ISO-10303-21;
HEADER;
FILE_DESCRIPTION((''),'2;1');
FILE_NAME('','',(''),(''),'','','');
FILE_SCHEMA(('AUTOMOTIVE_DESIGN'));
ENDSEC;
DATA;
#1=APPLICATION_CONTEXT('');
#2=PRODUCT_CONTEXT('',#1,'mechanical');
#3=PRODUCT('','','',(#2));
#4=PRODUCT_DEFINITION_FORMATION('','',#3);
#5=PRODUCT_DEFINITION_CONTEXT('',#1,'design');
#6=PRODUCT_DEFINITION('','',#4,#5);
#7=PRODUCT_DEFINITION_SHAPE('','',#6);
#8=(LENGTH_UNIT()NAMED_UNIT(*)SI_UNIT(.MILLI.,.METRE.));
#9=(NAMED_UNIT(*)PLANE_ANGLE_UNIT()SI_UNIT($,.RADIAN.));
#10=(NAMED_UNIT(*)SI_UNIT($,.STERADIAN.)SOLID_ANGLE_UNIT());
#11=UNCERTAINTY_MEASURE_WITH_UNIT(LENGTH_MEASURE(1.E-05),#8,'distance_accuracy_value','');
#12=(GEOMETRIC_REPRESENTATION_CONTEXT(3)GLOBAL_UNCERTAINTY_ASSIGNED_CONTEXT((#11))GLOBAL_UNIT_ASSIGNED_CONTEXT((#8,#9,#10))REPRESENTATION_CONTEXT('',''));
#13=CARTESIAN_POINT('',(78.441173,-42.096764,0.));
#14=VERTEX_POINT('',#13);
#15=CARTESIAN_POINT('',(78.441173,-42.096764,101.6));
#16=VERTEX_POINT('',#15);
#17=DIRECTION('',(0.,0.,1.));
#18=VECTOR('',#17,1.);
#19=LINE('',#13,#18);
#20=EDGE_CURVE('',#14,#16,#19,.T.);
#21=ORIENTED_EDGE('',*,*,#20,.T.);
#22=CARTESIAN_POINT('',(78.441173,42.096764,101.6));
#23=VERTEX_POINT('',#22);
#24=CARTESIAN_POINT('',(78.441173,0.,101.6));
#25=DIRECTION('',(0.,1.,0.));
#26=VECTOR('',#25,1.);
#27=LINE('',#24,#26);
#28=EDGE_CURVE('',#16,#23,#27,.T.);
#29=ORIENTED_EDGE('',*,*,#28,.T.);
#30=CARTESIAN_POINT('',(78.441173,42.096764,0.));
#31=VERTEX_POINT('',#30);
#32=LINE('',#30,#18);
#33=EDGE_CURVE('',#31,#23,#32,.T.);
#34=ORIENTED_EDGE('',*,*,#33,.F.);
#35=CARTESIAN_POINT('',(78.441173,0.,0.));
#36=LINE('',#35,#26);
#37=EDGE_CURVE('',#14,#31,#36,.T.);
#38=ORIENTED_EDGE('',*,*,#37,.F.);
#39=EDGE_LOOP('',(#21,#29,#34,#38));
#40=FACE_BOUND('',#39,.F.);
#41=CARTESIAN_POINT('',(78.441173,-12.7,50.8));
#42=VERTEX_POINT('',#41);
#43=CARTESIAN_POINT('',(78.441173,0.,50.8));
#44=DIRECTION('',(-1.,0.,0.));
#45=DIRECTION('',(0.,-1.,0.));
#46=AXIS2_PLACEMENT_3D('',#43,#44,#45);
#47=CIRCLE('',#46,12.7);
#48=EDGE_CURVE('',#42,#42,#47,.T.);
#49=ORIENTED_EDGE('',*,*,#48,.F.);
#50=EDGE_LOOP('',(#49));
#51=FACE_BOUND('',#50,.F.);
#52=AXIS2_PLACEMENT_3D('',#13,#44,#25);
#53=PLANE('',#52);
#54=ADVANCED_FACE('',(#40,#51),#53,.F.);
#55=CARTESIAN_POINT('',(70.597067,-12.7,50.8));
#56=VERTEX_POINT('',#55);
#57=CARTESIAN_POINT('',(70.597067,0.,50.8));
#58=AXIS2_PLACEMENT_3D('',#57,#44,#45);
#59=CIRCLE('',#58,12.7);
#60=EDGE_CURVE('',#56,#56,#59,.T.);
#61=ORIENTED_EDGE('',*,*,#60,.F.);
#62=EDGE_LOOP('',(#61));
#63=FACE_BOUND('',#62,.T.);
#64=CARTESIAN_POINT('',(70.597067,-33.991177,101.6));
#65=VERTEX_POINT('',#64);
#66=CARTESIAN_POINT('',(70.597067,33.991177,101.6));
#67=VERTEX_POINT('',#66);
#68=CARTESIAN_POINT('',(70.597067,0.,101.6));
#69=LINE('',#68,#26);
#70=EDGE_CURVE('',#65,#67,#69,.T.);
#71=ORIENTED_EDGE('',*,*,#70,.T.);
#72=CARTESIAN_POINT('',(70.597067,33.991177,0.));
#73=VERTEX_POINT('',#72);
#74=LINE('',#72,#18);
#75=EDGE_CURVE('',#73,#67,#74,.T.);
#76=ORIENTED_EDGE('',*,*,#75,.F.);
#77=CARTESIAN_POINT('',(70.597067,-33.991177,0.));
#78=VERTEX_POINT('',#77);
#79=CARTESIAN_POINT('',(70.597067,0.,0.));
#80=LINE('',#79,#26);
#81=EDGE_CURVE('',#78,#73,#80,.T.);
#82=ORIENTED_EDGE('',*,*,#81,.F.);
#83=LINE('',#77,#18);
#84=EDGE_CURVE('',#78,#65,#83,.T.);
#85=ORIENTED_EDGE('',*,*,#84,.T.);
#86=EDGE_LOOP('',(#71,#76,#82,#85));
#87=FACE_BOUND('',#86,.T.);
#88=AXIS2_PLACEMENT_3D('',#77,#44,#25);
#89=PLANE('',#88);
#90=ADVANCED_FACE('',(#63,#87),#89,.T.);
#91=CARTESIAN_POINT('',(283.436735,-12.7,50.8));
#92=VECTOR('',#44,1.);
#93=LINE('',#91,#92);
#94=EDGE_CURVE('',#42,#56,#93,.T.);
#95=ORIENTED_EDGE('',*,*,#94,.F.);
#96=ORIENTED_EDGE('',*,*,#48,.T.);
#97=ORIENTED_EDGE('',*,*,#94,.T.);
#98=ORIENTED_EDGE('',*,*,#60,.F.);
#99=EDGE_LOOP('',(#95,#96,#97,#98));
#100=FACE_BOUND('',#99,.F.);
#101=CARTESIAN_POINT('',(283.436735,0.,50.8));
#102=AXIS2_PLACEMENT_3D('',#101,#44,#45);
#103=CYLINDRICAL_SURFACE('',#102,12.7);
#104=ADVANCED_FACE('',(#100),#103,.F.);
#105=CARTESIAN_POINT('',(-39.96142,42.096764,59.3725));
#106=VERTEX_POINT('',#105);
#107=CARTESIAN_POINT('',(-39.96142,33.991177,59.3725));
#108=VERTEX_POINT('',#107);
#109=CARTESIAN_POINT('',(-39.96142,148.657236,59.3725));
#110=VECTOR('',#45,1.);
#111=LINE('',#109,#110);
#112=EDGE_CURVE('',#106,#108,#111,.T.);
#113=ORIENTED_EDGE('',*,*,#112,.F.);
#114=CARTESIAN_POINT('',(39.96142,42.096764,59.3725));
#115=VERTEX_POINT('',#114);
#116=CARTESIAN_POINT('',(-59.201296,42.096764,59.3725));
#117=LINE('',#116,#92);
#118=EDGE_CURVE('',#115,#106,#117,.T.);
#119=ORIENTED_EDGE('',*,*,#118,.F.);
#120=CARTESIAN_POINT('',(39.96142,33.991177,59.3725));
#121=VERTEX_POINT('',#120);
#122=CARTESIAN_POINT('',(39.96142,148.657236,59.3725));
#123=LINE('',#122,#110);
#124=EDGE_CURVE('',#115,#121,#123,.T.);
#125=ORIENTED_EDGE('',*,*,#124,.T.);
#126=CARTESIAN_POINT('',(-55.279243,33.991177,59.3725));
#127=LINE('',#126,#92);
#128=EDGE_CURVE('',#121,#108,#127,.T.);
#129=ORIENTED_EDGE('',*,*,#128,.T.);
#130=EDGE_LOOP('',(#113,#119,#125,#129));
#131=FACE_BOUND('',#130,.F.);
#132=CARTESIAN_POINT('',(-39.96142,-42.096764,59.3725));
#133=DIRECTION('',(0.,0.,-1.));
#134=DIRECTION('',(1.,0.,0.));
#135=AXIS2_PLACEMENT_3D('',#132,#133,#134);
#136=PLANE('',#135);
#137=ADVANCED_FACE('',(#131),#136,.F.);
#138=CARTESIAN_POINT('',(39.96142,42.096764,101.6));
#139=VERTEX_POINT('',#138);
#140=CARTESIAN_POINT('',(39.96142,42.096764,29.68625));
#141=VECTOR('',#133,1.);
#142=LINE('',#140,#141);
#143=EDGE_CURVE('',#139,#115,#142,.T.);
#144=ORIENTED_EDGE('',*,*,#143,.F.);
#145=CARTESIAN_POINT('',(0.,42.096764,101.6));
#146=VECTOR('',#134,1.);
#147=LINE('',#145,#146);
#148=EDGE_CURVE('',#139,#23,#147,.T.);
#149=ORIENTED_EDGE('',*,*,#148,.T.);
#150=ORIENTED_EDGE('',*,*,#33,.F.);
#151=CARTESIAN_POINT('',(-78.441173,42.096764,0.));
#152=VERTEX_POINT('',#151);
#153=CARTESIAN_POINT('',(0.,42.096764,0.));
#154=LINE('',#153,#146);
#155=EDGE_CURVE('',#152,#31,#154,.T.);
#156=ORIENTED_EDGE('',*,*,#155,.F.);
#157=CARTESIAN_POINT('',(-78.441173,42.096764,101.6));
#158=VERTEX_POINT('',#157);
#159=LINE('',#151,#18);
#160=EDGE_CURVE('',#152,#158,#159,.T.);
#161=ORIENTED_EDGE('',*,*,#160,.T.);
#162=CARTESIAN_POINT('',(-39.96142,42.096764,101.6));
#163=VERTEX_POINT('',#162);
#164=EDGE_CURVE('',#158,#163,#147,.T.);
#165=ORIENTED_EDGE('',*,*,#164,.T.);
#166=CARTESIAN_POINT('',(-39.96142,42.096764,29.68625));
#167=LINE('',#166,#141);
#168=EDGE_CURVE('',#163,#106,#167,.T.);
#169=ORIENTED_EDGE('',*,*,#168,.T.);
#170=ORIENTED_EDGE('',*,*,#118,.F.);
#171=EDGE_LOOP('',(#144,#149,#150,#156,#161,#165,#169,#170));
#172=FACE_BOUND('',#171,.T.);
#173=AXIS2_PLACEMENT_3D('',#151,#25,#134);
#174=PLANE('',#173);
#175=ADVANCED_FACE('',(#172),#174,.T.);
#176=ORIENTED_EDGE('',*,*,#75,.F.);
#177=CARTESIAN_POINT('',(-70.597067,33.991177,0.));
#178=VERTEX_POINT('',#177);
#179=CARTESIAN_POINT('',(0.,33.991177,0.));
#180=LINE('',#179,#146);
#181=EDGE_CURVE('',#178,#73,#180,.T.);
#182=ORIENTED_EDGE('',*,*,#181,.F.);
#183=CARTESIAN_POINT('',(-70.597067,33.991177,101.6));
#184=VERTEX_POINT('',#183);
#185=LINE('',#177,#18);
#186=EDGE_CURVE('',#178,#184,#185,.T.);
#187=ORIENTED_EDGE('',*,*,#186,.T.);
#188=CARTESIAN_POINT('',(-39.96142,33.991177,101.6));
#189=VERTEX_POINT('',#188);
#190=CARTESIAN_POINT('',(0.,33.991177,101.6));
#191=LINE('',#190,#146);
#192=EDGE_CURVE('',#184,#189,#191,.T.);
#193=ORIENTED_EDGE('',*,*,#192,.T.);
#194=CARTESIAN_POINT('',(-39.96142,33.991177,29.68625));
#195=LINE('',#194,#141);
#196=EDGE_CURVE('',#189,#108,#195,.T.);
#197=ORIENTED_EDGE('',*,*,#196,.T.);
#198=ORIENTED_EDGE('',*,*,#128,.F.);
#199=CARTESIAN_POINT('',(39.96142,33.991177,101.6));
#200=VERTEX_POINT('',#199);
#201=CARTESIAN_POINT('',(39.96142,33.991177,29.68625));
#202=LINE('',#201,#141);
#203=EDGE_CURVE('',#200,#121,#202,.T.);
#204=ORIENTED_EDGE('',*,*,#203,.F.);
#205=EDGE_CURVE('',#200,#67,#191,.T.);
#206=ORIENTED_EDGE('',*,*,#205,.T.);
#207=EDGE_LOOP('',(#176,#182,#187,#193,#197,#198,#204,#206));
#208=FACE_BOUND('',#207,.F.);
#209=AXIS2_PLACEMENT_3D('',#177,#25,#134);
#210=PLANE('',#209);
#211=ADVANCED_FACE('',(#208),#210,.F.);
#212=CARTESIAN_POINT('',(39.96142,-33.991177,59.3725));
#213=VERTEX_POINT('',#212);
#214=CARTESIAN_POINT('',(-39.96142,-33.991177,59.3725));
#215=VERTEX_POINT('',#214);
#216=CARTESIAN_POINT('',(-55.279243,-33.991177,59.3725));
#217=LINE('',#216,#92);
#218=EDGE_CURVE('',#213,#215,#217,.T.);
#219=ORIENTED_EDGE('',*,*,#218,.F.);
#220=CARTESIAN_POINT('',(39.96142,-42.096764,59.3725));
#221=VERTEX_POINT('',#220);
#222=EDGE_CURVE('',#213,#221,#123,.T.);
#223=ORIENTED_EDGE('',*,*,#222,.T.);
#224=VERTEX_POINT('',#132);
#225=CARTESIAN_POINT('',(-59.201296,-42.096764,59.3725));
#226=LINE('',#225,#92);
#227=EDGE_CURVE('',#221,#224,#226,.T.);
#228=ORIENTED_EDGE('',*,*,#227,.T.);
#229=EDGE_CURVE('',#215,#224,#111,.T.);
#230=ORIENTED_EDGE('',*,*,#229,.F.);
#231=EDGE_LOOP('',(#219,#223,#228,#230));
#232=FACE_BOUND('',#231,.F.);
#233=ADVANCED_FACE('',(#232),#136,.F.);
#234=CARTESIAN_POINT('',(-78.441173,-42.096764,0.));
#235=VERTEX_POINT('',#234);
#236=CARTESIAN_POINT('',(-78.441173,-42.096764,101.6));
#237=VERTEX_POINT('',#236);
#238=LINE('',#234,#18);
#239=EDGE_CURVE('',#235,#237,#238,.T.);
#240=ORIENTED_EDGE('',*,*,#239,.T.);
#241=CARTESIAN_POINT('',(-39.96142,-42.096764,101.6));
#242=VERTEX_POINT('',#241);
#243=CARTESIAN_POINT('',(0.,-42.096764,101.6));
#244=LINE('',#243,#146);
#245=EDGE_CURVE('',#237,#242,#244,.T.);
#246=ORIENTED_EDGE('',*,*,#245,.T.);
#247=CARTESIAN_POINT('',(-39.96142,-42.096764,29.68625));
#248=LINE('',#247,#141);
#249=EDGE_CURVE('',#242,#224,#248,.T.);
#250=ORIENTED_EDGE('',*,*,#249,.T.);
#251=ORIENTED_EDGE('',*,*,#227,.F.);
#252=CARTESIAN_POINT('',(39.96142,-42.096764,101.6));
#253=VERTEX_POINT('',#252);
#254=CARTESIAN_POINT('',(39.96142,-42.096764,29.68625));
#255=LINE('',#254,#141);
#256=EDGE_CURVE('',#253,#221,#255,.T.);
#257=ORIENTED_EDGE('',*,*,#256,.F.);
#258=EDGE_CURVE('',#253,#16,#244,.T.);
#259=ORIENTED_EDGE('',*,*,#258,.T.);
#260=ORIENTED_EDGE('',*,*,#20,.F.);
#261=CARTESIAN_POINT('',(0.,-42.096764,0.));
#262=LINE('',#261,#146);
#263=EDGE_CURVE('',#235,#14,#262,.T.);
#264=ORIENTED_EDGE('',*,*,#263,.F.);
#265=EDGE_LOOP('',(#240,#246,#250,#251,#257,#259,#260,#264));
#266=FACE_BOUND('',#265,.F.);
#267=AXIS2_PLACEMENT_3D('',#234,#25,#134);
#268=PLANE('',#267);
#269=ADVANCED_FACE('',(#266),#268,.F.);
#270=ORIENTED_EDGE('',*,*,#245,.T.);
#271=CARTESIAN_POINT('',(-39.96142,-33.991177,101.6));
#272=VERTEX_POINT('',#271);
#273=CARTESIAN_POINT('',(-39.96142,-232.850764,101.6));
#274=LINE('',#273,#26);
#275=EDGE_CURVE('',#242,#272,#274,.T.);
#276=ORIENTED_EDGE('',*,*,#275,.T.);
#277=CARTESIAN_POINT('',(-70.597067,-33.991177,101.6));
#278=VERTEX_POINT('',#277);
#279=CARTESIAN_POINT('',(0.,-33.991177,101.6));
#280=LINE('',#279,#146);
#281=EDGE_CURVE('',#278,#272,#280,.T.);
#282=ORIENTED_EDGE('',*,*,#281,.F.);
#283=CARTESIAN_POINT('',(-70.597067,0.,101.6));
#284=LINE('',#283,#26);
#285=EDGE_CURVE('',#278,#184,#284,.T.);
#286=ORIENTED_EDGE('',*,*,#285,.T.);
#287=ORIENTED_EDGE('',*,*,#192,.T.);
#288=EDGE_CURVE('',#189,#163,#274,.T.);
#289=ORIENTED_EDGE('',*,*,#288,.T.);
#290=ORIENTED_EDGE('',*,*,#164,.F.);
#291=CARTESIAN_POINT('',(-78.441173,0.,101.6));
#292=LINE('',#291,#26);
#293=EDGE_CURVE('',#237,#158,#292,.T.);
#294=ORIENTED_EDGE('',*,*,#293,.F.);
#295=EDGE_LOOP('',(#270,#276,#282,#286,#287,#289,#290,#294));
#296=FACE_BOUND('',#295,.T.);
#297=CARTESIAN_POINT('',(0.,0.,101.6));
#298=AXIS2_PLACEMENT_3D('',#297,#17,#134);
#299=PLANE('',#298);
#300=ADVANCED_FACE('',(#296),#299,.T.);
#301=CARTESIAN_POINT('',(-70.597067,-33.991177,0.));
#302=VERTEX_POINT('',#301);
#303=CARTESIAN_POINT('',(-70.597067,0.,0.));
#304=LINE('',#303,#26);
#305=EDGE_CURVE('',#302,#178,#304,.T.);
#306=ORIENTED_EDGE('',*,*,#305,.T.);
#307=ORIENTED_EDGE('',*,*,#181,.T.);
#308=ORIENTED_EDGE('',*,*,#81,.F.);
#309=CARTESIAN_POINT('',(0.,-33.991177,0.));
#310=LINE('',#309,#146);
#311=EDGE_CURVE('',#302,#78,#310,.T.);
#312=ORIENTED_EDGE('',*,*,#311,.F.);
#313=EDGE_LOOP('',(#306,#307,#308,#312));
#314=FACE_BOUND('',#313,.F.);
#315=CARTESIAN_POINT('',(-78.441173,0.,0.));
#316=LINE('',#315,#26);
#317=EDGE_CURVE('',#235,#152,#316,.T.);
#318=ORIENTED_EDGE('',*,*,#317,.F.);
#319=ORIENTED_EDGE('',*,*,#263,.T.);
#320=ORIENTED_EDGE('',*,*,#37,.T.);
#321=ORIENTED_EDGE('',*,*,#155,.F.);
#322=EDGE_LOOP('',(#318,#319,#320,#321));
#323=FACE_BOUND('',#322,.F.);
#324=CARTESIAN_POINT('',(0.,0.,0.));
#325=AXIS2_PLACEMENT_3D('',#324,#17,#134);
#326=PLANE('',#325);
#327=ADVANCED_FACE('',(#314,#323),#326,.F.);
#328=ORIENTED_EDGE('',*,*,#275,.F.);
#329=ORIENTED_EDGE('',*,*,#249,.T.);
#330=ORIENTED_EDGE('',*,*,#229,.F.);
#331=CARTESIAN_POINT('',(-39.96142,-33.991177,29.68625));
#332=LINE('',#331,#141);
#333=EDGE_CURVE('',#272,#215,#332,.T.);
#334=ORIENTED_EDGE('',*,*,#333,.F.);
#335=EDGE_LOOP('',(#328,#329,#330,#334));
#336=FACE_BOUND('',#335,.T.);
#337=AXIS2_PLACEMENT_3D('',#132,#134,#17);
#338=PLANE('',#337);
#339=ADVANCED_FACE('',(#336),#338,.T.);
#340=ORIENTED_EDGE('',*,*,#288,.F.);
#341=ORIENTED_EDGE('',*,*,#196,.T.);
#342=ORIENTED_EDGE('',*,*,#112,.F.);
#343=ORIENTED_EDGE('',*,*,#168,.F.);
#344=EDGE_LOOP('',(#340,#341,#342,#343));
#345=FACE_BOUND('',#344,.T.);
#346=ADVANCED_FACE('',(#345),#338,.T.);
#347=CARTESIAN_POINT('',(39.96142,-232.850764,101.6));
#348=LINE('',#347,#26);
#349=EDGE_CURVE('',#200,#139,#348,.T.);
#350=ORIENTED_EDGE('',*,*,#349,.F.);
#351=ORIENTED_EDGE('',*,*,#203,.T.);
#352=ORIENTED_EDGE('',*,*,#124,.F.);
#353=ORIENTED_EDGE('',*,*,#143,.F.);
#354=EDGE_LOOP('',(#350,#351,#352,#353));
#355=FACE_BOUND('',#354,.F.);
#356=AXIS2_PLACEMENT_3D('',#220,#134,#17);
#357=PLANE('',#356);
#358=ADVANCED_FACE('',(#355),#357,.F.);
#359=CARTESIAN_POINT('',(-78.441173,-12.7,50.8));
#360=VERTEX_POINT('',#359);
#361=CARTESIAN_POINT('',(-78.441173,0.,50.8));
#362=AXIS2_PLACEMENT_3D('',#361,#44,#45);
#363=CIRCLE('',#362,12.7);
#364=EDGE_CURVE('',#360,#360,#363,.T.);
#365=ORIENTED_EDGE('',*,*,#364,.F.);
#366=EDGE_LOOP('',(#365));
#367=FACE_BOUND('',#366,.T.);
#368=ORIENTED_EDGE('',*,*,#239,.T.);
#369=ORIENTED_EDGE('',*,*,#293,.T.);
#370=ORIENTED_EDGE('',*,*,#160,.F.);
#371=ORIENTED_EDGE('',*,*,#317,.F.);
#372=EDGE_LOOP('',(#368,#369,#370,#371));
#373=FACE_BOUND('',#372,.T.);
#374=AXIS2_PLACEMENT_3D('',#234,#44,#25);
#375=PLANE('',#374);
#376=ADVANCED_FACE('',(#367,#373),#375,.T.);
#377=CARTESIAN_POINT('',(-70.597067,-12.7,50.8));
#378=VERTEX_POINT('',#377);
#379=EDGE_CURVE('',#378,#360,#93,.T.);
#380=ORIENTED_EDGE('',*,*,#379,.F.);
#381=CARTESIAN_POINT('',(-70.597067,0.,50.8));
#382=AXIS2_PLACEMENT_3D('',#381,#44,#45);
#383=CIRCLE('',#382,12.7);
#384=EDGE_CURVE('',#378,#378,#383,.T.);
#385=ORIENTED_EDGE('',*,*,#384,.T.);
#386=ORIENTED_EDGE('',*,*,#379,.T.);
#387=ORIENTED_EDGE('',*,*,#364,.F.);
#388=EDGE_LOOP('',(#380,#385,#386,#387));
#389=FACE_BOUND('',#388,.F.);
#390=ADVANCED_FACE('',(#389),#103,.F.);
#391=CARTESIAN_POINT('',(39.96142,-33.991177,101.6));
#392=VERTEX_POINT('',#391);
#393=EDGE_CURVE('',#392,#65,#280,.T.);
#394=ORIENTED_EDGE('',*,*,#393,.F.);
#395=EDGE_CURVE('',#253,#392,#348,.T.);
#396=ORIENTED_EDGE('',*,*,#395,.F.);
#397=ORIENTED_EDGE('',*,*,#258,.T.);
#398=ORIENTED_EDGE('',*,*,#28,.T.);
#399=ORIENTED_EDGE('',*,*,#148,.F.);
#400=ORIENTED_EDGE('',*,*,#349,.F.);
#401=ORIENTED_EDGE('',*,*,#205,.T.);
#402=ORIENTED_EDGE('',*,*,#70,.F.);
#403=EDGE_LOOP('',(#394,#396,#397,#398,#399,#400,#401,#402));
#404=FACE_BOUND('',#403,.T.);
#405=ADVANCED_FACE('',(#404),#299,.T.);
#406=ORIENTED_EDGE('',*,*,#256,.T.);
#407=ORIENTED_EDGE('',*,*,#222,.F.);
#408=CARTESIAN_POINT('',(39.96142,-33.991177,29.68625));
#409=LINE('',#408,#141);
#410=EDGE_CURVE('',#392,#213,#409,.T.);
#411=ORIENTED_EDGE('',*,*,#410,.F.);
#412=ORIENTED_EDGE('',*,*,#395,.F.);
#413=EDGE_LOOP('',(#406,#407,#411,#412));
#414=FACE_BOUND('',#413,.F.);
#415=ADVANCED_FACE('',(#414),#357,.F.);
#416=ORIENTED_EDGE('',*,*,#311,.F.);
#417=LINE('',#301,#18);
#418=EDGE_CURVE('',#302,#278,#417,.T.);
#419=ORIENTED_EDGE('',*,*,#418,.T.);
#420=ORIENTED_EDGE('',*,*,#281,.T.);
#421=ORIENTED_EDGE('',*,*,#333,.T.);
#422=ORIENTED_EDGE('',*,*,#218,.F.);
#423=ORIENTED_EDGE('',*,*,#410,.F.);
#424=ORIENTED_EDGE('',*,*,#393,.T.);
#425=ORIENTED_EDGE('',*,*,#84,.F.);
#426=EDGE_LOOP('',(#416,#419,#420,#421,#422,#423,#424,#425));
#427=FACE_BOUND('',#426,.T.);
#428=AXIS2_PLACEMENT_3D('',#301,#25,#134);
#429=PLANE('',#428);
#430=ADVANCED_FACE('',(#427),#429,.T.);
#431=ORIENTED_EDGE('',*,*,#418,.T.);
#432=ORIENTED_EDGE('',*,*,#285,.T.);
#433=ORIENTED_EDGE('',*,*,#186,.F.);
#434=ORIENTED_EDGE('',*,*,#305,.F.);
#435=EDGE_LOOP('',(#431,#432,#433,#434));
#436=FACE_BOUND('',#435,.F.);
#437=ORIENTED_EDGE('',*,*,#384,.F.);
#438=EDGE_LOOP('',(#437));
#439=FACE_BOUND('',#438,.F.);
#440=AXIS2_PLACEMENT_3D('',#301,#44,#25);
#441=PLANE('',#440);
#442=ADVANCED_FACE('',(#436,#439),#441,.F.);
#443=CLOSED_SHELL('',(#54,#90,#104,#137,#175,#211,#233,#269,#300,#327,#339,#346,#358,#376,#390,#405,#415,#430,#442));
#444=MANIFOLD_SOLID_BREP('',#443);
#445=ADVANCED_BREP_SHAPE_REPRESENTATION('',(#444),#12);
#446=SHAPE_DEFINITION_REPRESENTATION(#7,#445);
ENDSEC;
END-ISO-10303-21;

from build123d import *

# Parameters (mm, degrees)
F0_W     = 156.882346
F0_H     = 84.193528
F0_W_2   = 141.194134
F0_H_2   = 67.982354
F1_DEPTH = 101.6
F2_W     = 79.92284
F2_H     = 42.2275
F3_DEPTH = 190.754
F5_D     = 25.4


with BuildPart() as f1:
    # F0 (on Top) → F1 (new body)
    with BuildSketch(Plane.XY):
        Rectangle(F0_W, F0_H)
        Rectangle(F0_W_2, F0_H_2, mode=Mode.SUBTRACT)
    extrude(amount=F1_DEPTH)

    # F2 (on face) → F3 (cut, symmetric)
    with BuildSketch(Plane.XZ.offset(42.096764)):
        with Locations((0, 80.48625)):
            Rectangle(F2_W, F2_H)
    extrude(amount=F3_DEPTH, both=True, mode=Mode.SUBTRACT)

    # F5 (through all)
    with Locations(Plane.YZ.offset(78.441173)):
        with Locations((0, 50.8)):
            Hole(F5_D / 2)


solid = f1.part
